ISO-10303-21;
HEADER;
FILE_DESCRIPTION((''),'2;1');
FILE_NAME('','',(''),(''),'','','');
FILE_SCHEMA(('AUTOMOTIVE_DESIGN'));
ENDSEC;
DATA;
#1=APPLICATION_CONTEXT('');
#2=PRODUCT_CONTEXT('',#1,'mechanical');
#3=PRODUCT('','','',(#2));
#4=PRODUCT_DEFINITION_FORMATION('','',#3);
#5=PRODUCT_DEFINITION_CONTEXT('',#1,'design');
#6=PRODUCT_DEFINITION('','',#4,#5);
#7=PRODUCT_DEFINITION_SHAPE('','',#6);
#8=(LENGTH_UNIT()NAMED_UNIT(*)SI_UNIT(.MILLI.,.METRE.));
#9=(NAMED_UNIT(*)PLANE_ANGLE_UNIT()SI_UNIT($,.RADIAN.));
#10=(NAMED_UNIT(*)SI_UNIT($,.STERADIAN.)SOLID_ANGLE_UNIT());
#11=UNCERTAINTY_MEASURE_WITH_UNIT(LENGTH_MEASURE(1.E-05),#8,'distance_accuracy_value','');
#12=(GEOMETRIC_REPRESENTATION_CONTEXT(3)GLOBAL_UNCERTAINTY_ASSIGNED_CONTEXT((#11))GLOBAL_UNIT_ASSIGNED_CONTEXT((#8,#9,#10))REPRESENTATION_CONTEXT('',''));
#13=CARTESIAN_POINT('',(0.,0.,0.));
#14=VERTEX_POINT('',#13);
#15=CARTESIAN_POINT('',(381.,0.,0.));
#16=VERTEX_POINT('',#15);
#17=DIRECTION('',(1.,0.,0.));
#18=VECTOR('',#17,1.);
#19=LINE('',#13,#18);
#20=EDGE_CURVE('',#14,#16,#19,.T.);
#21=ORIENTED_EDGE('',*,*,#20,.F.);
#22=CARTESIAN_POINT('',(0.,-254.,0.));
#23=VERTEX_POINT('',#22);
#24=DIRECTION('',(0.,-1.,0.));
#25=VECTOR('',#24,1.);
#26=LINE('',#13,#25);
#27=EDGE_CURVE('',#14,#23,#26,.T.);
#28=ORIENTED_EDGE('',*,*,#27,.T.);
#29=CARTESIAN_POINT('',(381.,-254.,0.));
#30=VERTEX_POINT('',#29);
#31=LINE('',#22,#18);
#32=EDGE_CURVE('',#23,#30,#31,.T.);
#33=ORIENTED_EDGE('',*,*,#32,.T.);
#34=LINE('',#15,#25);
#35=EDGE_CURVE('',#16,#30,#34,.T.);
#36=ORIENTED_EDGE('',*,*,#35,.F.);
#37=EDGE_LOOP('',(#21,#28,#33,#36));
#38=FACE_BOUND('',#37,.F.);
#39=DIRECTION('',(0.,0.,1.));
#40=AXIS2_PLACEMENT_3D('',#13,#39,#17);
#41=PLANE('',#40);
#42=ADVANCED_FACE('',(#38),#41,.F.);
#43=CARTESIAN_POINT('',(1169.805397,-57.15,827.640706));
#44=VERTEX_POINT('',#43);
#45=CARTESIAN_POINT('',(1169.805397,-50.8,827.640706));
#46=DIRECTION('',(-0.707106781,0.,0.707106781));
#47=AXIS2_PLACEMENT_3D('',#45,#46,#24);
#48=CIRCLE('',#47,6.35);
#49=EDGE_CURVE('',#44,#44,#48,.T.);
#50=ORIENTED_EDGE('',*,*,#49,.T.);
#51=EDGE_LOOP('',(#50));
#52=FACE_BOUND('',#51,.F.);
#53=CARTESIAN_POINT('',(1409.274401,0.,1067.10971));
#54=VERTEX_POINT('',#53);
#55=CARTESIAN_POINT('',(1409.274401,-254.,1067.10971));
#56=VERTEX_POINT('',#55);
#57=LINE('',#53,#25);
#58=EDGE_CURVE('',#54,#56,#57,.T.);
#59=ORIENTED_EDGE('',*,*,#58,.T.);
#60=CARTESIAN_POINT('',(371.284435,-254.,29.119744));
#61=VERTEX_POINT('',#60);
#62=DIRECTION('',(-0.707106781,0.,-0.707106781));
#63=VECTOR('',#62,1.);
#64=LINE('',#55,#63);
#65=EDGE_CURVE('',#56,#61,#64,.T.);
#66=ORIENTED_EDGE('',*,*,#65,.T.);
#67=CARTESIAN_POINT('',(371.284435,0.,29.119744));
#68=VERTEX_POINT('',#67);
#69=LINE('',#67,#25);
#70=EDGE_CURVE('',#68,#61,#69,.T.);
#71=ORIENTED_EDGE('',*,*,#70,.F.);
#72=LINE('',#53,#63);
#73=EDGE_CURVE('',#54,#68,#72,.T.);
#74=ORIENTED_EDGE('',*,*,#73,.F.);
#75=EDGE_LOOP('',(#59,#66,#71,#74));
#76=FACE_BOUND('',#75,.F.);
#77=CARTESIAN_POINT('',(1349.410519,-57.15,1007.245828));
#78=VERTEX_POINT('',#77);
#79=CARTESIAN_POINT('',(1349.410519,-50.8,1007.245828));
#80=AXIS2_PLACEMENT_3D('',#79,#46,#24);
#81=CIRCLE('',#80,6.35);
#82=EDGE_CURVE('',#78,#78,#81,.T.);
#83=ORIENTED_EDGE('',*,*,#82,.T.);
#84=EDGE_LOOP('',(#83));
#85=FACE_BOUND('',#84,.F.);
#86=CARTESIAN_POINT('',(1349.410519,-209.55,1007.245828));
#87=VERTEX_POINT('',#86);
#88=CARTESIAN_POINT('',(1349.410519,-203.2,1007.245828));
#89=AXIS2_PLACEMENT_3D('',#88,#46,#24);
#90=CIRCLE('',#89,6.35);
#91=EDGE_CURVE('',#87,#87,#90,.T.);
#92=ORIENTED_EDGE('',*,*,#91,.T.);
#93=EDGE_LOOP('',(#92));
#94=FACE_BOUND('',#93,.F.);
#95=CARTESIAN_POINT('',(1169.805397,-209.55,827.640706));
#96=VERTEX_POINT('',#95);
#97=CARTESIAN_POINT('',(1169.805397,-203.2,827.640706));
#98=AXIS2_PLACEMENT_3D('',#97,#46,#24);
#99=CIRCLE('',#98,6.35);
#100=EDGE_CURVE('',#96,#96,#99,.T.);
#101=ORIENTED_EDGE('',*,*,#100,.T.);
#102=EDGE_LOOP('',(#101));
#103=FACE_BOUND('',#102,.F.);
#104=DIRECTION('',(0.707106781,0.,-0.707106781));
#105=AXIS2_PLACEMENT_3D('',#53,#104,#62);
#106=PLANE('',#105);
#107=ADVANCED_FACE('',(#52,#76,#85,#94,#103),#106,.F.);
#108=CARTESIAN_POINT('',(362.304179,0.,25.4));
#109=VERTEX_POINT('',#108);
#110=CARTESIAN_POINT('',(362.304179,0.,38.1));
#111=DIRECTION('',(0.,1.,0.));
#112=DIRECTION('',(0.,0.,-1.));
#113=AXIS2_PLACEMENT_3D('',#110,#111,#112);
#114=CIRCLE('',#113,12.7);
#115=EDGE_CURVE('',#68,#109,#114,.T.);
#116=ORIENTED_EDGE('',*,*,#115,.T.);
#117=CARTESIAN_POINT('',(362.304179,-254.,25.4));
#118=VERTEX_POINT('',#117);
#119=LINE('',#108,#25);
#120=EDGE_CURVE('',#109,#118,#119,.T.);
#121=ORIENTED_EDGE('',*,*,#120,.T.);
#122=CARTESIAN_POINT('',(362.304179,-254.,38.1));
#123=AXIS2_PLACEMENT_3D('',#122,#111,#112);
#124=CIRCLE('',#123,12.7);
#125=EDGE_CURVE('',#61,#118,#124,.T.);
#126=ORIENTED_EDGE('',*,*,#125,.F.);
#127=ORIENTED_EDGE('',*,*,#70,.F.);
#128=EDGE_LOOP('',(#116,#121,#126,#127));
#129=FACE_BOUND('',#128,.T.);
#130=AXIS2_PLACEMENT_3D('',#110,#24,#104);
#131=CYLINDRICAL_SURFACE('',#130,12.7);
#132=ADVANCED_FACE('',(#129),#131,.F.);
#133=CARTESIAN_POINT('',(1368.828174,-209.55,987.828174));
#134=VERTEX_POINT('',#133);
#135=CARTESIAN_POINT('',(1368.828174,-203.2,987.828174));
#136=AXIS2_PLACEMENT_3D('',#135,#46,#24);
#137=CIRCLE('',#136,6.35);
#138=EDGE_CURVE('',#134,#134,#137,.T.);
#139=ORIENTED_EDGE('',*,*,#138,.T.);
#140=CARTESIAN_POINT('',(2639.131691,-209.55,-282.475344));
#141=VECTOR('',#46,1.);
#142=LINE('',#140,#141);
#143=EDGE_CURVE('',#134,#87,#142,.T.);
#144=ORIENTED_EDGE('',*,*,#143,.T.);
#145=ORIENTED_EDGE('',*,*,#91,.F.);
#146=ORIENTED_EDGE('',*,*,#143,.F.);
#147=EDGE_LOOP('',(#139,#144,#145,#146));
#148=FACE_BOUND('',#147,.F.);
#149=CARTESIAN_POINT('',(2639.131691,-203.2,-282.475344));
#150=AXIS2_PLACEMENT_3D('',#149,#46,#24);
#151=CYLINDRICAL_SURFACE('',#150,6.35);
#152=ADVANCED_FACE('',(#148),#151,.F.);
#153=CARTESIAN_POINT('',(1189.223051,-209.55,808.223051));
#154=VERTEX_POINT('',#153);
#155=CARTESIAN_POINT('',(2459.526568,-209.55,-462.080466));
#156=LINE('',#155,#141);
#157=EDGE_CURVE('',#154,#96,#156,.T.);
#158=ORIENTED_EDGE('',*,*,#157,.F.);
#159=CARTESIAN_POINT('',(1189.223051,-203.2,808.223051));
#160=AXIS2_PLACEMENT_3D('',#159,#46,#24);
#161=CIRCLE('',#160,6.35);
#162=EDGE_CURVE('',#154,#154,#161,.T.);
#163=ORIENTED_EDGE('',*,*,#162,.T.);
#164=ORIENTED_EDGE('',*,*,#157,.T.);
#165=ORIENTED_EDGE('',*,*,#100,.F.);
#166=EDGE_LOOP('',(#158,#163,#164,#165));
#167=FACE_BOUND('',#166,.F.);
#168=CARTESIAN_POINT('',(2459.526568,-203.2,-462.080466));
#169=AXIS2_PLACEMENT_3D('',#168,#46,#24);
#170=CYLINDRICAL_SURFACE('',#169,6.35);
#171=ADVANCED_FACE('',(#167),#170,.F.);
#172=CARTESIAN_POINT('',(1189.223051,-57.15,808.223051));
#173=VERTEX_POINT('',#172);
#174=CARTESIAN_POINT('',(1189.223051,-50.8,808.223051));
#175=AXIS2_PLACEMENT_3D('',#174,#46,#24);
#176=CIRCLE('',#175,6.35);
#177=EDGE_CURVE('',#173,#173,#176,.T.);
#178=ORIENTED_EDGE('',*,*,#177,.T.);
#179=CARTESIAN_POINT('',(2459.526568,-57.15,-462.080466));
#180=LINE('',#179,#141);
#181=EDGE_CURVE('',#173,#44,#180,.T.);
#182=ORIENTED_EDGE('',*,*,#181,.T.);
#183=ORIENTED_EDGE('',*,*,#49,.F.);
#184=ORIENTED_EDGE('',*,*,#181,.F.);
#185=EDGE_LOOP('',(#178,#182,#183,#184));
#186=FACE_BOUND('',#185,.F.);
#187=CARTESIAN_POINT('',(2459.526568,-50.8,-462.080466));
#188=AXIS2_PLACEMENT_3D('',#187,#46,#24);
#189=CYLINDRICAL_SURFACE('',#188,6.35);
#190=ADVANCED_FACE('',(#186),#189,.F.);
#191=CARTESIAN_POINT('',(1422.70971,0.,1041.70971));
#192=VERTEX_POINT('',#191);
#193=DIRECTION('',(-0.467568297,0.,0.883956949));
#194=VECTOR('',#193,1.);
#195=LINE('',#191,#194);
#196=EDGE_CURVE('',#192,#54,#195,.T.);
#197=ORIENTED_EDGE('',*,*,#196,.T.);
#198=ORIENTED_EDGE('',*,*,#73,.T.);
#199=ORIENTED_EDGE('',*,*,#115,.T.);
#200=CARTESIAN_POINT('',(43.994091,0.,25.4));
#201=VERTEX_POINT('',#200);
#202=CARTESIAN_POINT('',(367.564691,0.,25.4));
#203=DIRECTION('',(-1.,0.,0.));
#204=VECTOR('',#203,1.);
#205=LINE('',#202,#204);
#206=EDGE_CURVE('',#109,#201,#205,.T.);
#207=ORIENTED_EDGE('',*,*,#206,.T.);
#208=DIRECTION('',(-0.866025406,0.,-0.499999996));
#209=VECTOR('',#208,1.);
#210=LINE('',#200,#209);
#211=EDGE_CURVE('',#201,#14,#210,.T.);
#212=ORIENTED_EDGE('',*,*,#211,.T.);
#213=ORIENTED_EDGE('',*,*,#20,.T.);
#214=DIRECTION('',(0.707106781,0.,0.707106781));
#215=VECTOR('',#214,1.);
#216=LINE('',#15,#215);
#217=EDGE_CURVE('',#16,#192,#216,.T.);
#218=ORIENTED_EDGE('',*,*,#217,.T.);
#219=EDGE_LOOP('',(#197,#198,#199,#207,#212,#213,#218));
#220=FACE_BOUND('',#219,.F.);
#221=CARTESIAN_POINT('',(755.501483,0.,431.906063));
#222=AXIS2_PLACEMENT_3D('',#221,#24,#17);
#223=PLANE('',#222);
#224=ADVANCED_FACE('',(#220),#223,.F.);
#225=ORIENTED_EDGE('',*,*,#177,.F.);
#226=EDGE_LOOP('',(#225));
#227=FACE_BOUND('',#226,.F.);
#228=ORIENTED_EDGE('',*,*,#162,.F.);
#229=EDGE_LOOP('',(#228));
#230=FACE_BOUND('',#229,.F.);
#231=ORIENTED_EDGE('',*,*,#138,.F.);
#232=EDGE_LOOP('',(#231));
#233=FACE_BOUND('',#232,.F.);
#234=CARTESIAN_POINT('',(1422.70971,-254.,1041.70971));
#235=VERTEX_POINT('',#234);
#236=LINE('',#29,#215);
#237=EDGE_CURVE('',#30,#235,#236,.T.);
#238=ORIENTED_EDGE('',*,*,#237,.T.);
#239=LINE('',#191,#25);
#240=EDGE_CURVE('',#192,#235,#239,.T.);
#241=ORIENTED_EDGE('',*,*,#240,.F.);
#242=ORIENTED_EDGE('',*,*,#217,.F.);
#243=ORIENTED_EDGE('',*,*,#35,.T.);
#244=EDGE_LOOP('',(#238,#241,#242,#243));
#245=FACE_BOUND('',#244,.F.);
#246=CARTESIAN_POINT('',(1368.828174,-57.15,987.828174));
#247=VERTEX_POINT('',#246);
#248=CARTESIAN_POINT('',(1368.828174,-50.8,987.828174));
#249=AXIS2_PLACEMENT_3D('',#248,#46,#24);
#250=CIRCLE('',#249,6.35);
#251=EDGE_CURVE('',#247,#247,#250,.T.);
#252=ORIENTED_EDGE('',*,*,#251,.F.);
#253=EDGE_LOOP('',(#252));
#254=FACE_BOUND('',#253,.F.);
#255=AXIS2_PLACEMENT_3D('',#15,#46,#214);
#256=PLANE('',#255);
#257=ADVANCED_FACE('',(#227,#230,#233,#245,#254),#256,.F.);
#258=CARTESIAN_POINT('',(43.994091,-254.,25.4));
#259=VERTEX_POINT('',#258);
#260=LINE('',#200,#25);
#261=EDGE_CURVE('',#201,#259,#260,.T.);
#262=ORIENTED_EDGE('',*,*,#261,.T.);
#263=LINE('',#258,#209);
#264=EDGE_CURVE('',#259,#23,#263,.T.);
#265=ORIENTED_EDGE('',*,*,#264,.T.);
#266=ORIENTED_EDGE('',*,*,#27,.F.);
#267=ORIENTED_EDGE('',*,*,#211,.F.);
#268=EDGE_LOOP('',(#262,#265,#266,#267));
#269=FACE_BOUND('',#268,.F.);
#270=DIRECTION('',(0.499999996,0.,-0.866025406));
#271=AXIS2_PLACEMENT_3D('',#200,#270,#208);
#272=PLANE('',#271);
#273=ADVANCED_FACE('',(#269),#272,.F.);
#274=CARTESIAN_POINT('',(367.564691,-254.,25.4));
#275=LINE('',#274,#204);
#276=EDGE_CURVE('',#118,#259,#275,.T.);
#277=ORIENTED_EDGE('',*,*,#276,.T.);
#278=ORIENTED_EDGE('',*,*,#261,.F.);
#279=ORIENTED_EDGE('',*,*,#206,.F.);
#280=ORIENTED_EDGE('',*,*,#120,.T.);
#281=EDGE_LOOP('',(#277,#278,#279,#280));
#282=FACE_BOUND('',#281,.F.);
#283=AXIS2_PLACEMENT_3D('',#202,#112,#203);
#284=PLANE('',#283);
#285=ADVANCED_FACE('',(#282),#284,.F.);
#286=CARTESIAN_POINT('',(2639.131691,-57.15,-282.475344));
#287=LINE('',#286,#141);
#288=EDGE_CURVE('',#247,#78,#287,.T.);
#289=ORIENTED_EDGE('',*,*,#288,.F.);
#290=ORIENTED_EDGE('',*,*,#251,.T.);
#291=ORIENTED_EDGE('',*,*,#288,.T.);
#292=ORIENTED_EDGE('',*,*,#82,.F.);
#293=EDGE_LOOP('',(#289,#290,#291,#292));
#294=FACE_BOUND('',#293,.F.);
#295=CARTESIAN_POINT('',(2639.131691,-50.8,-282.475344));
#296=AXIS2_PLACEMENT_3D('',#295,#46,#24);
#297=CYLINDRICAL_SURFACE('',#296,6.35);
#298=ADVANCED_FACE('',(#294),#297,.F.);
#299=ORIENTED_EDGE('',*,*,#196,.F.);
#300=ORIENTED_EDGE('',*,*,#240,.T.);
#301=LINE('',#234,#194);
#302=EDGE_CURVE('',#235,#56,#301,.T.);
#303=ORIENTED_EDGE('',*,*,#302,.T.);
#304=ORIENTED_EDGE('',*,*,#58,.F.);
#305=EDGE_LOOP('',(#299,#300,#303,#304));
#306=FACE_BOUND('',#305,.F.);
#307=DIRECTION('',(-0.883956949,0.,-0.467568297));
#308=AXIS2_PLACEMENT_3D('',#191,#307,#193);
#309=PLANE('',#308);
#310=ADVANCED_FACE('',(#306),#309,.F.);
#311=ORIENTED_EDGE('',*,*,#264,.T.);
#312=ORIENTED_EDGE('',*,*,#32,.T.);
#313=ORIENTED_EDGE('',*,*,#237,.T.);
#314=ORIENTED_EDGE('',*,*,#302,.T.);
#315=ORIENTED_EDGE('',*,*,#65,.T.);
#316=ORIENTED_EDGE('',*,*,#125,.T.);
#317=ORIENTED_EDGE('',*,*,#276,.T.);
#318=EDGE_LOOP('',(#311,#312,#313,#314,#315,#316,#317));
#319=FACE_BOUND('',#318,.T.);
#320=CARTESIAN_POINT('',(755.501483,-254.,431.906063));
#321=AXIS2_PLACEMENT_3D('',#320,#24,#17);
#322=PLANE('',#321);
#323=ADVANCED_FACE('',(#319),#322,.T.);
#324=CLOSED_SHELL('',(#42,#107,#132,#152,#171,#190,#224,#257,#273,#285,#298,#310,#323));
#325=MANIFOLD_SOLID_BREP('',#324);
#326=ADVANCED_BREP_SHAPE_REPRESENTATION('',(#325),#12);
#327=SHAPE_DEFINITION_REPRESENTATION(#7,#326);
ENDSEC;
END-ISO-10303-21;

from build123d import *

# Parameters (mm, degrees)
F1_DEPTH = 254
F2_R     = 12.7
F4_D     = 12.7


with BuildPart() as f1:
    # F0 (on Front) → F1 (new body)
    with BuildSketch(Plane.XZ):
        Polygon((43.994091, 25.4), (0, 0), (381, 0), (1422.70971, 1041.70971), (1409.274401, 1067.10971), (367.564691, 25.4), align=None)
    extrude(amount=F1_DEPTH)

    # F2
    f2_edges = [f1.edges().sort_by_distance(p)[0] for p in [
        (367.564691, -127, 25.4),
    ]]
    fillet(f2_edges, radius=F2_R)

    # F4 (through all)
    with Locations(Plane(origin=(190.5, 0, -190.5), x_dir=(0, 1, 0), z_dir=(0.707107, 0, -0.707107))):
        with Locations((-203.2, 1412.407684), (-203.2, 1666.407684), (-50.8, 1666.407684), (-50.8, 1412.407684)):
            Hole(F4_D / 2)


solid = f1.part
